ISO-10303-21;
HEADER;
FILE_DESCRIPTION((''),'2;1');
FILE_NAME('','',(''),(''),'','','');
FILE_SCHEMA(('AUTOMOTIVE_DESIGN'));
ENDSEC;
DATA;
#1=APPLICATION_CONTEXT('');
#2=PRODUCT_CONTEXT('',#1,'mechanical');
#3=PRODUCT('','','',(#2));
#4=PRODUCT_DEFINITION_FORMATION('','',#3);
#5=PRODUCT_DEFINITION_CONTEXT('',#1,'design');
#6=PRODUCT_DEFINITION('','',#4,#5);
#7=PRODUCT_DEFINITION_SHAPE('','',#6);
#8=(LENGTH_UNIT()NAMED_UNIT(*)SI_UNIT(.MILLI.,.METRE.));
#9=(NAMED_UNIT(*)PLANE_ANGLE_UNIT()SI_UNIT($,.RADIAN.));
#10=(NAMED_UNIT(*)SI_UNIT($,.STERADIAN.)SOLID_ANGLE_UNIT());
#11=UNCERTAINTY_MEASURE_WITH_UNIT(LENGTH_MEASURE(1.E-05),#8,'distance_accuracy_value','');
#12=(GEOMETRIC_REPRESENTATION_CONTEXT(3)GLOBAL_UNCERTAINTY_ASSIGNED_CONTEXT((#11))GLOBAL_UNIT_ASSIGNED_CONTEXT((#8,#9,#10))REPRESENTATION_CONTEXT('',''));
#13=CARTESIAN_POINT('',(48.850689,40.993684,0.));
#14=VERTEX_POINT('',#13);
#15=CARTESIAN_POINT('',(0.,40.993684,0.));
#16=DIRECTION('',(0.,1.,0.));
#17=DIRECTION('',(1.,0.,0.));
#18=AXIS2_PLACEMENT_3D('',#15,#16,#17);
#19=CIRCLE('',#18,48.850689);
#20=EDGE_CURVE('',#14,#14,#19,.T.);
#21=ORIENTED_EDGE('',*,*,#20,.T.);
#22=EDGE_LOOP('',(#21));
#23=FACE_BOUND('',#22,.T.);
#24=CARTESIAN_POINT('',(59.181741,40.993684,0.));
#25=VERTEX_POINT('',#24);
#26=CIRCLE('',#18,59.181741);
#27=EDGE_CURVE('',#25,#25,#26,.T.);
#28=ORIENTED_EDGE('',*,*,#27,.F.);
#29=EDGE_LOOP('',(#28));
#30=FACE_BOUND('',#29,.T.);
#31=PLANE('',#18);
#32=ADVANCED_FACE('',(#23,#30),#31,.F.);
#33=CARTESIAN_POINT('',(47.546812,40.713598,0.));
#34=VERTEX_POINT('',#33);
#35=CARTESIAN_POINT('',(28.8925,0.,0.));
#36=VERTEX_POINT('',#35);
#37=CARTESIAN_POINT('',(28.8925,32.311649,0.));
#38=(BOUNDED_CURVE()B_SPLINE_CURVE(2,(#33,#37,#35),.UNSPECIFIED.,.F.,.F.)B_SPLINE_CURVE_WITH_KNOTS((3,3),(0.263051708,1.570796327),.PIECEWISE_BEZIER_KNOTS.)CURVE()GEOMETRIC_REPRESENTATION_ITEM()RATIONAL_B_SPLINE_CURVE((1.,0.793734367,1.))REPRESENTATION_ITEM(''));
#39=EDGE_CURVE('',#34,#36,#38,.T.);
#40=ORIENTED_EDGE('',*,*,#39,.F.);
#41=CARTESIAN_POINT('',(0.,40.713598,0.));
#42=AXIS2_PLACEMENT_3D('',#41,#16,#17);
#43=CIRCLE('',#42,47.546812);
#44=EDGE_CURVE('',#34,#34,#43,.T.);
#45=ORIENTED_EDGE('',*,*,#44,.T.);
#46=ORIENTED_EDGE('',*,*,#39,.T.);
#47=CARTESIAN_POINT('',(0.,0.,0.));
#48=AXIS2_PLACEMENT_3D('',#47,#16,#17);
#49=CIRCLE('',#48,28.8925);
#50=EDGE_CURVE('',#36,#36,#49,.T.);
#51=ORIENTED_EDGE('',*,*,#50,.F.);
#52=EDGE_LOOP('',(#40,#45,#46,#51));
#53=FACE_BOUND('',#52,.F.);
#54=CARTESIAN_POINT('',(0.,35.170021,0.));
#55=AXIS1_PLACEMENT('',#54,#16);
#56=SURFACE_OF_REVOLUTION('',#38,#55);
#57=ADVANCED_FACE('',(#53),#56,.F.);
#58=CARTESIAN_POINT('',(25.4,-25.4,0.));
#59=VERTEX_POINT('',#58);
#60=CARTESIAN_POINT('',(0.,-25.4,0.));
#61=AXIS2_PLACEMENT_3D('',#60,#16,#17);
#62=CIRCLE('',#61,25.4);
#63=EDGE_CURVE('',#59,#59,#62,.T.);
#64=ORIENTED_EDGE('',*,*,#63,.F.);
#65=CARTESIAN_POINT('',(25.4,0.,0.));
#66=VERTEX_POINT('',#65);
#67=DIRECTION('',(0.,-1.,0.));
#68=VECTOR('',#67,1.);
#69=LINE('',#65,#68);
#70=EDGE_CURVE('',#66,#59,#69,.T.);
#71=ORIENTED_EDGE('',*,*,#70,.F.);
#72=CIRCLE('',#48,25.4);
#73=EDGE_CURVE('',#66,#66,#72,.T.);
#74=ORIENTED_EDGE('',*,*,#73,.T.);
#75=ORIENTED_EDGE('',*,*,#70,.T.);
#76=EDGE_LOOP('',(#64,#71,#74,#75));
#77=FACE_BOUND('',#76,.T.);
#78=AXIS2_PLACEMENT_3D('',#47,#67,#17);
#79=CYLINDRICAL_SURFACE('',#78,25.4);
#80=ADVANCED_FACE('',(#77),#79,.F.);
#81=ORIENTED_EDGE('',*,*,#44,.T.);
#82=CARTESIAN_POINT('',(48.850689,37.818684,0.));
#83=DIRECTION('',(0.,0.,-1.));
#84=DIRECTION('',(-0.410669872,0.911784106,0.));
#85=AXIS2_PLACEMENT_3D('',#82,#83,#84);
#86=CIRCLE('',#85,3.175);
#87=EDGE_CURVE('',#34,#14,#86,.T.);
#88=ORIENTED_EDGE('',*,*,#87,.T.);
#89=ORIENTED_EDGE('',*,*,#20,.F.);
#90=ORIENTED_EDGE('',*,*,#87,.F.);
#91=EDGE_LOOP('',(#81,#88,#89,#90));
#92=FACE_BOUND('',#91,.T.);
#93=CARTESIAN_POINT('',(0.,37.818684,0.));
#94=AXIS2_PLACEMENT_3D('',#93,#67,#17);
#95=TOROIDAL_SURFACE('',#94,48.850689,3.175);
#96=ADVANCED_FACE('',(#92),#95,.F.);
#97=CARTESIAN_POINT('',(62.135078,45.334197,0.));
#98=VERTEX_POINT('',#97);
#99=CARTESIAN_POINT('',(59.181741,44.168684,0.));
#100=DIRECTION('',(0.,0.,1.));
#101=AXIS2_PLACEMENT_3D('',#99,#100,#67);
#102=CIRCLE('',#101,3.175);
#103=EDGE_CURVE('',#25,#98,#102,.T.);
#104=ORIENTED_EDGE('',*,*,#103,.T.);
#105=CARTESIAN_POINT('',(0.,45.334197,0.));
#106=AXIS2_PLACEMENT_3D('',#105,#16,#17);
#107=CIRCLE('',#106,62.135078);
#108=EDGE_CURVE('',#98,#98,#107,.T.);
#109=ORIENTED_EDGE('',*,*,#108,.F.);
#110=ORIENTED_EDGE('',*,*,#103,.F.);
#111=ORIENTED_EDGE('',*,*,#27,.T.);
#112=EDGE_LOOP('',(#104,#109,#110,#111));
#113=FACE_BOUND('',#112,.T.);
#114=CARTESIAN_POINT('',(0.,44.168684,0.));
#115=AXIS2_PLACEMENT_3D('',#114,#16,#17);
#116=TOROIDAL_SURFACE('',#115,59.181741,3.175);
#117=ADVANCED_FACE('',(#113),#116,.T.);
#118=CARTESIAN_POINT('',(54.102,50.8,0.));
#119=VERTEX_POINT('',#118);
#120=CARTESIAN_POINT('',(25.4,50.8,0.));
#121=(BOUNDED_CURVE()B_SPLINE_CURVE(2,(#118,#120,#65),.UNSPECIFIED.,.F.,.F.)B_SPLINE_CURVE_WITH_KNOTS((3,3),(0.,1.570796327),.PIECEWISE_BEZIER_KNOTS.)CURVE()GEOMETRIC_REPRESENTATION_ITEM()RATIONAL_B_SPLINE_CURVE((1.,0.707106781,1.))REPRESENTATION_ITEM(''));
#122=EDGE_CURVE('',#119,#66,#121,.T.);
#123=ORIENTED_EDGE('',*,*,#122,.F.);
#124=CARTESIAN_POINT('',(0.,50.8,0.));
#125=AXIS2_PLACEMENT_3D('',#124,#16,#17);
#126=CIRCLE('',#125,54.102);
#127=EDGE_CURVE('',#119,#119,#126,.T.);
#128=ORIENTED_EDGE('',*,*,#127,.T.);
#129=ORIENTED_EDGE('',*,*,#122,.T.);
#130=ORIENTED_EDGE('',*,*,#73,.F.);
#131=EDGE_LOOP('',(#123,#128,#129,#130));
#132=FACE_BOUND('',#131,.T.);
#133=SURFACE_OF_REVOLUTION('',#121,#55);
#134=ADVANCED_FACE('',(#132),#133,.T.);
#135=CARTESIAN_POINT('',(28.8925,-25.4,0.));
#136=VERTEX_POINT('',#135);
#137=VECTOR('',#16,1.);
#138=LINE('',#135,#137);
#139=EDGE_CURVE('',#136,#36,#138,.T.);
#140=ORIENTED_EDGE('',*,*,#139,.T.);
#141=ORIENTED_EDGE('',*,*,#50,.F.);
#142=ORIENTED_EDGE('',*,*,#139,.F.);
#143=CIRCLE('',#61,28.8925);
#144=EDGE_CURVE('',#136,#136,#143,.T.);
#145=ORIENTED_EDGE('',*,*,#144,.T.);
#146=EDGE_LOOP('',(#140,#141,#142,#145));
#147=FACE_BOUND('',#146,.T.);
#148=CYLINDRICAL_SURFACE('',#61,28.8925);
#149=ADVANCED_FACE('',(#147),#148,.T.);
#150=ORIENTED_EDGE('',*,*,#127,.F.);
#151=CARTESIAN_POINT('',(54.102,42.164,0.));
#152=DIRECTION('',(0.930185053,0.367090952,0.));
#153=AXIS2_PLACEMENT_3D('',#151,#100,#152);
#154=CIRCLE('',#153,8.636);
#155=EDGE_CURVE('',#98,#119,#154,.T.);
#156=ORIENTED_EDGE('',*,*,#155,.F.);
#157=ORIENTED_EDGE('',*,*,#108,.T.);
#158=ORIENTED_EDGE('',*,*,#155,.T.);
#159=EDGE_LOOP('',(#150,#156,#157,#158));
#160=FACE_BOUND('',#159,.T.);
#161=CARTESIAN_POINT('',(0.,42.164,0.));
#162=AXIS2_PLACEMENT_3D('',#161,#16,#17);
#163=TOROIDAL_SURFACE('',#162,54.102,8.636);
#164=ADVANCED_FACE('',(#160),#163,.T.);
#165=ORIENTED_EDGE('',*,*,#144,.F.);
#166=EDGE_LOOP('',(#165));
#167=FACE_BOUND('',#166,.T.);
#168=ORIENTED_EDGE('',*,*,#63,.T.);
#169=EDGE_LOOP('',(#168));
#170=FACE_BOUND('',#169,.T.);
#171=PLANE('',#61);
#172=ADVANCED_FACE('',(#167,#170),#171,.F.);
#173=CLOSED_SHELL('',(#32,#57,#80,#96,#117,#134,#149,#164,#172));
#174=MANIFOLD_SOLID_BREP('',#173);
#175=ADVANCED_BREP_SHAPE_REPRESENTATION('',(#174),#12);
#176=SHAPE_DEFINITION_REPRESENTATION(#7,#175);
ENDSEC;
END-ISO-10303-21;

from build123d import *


with BuildPart() as f1:
    # F0 (on Top) → F1 (revolve)
    with BuildSketch(Plane.XY):
        with BuildLine():
            ThreePointArc((59.1817405743, 40.9936836903), (61.8067292629, 42.3826099559), (62.1350781175, 45.3341974637))
            ThreePointArc((62.1350781175, 45.3341974637), (58.9601205576, 49.303969233), (54.102, 50.8))
            add(Edge.make_bspline(
                [(54.102, 50.8), (25.4, 50.8), (25.4, 0)],
                knots=[0, 0, 0, 1.5707963268, 1.5707963268, 1.5707963268], degree=2, weights=[1, 0.7071067812, 1]))
            Line((25.4, 0), (25.4, -25.4))
            Line((25.4, -25.4), (28.8925, -25.4))
            Line((28.8925, -25.4), (28.8925, 0))
            add(Edge.make_bspline(
                [(47.5468117709, 40.7135982273), (28.8925, 32.3116489326), (28.8925, 0)],
                knots=[0.2630517082, 0.2630517082, 0.2630517082, 1.5707963268, 1.5707963268, 1.5707963268], degree=2, weights=[1, 0.7937343669, 1]))
            ThreePointArc((47.5468117709, 40.7135982273), (48.1838785423, 40.922872687), (48.8506886146, 40.9936836903))
            Line((48.8506886146, 40.9936836903), (59.1817405743, 40.9936836903))
        make_face()
    revolve(axis=Axis((0, 35.1700206795, 0), (0, 1, 0)))


solid = f1.part
